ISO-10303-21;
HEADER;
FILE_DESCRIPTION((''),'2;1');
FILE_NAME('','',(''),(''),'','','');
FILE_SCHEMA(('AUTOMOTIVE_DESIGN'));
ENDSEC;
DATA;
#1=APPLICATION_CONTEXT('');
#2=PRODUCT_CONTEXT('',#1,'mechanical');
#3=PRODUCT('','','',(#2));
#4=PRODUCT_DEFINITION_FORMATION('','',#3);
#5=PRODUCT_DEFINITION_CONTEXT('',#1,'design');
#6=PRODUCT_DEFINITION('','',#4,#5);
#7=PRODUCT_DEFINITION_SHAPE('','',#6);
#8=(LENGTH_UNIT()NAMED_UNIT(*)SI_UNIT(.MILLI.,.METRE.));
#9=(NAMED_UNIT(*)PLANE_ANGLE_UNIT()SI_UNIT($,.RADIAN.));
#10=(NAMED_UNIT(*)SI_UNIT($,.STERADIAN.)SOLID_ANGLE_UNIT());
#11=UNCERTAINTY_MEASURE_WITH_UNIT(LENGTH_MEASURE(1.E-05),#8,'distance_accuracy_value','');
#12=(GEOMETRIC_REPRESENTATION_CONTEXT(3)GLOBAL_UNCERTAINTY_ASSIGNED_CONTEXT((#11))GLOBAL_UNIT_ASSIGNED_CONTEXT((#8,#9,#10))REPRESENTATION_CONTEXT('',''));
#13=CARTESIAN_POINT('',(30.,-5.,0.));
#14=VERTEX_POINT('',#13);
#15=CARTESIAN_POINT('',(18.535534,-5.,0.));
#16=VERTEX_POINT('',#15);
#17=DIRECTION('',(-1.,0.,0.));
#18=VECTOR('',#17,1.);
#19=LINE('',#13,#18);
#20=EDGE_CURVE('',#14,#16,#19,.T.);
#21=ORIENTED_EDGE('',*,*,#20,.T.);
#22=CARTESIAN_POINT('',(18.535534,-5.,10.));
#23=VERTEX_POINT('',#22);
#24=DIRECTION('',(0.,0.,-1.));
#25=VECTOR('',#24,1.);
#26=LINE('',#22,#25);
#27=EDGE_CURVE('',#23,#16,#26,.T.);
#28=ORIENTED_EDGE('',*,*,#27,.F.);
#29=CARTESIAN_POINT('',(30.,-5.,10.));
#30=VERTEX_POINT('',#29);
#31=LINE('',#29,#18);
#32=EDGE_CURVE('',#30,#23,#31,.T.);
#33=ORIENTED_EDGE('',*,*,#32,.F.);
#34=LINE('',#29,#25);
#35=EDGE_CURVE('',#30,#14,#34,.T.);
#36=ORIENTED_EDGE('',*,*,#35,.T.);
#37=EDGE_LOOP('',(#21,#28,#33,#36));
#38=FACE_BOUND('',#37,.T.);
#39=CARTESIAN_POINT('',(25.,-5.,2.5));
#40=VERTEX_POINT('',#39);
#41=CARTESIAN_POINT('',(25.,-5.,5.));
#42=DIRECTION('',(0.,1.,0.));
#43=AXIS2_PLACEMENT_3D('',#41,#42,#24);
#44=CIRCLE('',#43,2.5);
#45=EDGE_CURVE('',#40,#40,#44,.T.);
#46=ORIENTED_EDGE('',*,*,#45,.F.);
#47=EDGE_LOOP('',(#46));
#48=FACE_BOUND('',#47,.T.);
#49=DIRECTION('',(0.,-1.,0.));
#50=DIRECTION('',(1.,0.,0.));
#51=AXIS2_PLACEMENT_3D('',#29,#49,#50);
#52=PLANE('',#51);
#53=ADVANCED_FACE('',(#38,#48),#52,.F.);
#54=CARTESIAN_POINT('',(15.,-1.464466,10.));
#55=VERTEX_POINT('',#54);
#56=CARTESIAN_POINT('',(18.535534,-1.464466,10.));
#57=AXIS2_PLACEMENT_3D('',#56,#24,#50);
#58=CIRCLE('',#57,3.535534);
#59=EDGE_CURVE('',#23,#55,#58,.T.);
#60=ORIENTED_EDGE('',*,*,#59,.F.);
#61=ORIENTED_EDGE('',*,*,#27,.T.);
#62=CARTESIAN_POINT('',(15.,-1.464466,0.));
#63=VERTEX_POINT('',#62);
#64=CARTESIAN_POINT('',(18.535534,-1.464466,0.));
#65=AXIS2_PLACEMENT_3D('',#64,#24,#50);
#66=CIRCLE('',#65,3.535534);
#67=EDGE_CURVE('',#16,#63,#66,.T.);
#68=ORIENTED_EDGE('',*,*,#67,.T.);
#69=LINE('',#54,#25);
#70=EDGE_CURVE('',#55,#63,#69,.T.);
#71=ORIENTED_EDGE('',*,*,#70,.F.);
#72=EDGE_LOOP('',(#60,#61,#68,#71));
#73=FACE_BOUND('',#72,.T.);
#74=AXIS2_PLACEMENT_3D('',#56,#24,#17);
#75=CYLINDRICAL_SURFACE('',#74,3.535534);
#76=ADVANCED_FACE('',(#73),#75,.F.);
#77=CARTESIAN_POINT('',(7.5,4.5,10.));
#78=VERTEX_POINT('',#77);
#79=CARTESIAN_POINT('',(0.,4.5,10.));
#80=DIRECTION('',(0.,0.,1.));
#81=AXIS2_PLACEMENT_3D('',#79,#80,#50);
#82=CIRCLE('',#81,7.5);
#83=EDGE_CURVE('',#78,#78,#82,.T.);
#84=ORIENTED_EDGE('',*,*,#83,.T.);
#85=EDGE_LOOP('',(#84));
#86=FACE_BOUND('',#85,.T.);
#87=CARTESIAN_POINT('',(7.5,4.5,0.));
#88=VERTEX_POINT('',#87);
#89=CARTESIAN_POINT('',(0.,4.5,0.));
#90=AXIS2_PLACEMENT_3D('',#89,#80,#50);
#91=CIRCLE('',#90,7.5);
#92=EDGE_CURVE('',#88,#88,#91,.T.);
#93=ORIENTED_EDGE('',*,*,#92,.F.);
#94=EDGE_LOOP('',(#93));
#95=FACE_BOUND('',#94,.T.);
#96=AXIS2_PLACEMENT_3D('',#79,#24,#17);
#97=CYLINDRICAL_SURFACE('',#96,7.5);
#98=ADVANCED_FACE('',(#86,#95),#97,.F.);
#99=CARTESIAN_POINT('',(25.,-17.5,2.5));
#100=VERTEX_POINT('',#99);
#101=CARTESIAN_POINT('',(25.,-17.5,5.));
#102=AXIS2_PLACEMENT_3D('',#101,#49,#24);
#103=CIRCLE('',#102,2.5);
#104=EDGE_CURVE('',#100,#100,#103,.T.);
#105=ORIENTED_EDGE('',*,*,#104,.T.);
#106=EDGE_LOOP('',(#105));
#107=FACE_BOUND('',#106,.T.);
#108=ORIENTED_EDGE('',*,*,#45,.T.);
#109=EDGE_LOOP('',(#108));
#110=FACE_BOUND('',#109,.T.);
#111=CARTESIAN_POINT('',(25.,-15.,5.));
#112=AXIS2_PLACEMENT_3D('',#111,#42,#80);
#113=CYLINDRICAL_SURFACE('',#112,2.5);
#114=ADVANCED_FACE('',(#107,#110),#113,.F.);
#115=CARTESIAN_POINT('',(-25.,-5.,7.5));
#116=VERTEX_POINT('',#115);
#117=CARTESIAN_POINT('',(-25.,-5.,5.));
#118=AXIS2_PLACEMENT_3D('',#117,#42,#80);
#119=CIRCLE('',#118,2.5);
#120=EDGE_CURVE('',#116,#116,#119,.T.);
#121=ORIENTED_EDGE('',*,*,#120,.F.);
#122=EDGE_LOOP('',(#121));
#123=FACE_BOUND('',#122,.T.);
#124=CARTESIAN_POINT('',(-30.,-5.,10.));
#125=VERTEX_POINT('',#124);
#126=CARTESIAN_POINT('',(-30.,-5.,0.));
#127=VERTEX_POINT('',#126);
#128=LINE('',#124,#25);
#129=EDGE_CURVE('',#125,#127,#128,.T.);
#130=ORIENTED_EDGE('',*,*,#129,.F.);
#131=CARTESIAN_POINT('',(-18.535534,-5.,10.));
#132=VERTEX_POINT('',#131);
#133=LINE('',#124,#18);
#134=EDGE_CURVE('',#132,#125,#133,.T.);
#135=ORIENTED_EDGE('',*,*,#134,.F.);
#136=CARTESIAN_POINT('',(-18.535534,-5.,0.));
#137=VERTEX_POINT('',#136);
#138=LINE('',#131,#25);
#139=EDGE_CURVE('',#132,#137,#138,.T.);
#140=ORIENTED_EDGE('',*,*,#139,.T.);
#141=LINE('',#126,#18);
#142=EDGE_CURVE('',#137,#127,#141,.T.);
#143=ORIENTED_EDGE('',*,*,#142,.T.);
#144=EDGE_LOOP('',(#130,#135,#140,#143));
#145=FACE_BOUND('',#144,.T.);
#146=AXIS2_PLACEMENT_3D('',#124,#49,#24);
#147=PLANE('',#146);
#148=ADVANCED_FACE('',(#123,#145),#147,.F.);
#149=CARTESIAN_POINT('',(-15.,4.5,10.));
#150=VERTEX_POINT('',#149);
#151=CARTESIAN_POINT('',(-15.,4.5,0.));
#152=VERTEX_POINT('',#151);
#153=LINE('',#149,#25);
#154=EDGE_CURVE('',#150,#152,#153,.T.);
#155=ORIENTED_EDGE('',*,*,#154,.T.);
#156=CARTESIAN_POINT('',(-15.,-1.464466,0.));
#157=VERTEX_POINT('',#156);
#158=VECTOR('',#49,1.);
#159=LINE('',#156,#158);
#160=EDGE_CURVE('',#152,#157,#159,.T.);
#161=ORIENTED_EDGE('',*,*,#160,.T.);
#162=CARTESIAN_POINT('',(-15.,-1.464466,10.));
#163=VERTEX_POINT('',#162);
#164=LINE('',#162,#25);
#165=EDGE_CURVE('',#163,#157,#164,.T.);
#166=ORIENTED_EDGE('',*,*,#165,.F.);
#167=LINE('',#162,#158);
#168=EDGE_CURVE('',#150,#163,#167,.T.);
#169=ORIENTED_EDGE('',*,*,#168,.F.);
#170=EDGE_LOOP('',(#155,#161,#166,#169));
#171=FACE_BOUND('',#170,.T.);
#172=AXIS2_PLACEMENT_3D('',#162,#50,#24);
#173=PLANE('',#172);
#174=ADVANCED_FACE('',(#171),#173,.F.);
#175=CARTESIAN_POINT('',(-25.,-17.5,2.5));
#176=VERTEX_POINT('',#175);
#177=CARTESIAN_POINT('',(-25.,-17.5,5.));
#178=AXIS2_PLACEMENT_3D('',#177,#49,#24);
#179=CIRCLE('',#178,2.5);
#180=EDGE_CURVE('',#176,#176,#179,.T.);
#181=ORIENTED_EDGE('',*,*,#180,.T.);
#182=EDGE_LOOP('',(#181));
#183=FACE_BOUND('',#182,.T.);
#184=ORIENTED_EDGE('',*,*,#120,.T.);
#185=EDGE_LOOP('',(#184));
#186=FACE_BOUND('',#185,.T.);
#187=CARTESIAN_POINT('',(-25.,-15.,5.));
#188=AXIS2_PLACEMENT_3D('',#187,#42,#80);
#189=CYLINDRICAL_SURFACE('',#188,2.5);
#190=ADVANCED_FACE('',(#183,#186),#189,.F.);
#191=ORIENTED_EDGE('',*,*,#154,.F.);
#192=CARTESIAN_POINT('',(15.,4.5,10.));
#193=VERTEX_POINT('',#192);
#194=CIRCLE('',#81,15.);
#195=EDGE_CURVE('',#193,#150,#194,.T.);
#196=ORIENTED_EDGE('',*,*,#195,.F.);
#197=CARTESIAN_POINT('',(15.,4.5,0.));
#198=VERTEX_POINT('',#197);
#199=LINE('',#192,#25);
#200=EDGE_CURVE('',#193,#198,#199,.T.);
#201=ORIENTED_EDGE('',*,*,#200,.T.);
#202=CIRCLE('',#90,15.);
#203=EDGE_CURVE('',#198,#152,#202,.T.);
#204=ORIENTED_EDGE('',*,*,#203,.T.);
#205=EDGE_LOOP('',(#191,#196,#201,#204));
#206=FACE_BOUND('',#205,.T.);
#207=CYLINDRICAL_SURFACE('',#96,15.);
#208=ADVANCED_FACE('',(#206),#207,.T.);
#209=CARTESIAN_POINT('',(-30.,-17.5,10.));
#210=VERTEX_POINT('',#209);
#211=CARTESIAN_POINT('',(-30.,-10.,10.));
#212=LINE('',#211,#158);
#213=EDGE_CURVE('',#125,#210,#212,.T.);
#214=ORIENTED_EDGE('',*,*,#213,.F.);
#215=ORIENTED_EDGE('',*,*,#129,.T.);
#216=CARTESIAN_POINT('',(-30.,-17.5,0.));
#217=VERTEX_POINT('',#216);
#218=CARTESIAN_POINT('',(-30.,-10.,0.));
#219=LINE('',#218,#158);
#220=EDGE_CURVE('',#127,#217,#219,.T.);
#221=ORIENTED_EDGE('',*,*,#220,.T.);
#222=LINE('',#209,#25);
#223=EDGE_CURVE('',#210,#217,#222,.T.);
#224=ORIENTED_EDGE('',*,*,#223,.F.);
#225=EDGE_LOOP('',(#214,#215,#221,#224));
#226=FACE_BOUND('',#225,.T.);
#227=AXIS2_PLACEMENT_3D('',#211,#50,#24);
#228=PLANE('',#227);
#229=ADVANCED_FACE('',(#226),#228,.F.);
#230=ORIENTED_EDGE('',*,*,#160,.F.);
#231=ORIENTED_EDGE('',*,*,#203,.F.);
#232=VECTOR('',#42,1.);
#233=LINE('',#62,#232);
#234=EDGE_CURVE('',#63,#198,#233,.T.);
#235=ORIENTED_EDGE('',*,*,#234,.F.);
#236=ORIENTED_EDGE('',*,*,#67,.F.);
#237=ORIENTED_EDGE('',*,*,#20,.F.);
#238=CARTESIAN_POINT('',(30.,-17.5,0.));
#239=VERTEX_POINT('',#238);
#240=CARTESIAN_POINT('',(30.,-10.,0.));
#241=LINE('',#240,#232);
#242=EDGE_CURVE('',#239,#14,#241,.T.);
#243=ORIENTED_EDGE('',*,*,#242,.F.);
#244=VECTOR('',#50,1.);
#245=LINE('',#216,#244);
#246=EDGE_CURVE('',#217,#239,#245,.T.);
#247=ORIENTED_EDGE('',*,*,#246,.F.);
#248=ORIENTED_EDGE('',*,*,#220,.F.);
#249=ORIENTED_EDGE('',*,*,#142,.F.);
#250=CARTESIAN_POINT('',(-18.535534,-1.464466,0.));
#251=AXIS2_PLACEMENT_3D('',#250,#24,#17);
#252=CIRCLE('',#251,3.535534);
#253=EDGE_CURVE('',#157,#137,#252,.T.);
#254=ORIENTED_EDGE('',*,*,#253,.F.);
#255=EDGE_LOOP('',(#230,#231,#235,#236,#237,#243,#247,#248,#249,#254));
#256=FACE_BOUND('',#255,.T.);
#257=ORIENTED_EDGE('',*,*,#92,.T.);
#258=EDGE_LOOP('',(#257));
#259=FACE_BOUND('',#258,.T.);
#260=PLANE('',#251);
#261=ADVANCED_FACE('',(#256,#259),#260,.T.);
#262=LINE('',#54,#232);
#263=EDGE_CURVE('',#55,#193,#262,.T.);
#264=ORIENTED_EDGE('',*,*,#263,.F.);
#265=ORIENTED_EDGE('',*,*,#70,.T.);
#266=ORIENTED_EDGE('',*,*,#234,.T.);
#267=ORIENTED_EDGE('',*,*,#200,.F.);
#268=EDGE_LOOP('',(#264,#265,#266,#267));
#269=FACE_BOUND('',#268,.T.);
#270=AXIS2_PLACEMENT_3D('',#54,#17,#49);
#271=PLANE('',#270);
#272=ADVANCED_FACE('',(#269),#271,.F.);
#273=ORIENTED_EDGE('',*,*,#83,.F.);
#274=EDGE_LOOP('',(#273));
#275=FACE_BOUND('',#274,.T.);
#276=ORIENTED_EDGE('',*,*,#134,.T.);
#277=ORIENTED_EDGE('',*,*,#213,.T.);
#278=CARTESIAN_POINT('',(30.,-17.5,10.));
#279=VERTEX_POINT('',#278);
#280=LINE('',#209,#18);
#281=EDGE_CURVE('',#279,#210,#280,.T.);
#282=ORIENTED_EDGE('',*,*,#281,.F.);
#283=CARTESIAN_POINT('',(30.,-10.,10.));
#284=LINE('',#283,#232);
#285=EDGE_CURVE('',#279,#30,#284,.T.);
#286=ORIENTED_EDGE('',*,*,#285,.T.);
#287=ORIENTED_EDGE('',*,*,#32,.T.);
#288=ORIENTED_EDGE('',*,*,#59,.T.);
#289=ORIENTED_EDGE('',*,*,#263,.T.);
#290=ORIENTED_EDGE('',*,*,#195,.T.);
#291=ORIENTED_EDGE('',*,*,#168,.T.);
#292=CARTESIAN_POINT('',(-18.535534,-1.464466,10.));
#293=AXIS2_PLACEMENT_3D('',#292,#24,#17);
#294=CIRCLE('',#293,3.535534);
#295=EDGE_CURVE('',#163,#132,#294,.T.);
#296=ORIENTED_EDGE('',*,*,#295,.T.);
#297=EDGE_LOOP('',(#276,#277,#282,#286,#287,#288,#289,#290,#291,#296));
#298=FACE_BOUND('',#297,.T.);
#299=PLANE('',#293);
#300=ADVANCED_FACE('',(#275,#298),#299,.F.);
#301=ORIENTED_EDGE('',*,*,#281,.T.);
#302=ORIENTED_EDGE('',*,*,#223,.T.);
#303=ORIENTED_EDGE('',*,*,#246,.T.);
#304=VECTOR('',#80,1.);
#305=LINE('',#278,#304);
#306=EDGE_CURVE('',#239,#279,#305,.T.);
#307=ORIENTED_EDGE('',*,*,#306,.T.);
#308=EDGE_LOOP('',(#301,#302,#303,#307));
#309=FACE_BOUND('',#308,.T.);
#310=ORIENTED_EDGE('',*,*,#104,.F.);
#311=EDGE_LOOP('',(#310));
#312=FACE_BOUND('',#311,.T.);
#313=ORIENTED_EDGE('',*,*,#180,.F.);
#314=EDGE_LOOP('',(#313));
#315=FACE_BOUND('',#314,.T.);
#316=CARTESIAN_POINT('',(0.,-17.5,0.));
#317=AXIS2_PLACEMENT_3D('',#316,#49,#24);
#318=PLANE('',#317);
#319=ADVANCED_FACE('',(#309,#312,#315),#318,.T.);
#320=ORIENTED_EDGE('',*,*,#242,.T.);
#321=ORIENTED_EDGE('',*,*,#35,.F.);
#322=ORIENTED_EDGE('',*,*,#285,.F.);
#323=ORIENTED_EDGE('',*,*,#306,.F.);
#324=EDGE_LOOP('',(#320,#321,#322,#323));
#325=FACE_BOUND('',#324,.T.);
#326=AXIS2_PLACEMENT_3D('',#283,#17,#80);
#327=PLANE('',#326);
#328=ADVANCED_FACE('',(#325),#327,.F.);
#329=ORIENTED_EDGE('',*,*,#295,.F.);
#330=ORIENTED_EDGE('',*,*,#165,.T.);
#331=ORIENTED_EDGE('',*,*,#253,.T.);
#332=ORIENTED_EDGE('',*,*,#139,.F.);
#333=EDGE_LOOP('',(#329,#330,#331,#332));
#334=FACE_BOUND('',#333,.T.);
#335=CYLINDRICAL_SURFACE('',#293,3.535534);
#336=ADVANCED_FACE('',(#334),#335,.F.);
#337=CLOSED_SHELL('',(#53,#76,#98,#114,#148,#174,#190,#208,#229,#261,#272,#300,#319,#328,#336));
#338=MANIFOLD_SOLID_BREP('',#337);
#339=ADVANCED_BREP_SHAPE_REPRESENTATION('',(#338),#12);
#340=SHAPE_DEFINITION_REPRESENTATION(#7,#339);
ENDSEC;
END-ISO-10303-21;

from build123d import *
from build123d.topology import SkipClean

# Parameters (mm, degrees)
SKETCH1_R           = 7.5
BOSS_EXTRUDE2_DEPTH = 10
SKETCH2_R           = 2.5
CUT_EXTRUDE1_DEPTH  = 10
SKETCH3_W           = 60
SKETCH3_H           = 10
SKETCH3_R           = 2.5
BOSS_EXTRUDE3_DEPTH = 7.5


with BuildPart() as part:
    # Sketch1 → Boss-Extrude2 (new body)
    with BuildSketch(Plane.XY):
        with BuildLine():
            Line((-15, -1.464466094), (-15, 4.5))
            ThreePointArc((-15, 4.5), (0, 19.5), (15, 4.5))
            Line((15, 4.5), (15, -1.464466094))
            ThreePointArc((15, -1.464466094), (16.035533906, -3.964466094), (18.535533906, -5))
            Line((18.535533906, -5), (30, -5))
            Line((30, -5), (30, -10))
            Line((30, -10), (20, -10))
            Line((20, -10), (0, -10))
            Line((0, -10), (-20, -10))
            Line((-20, -10), (-30, -10))
            Line((-30, -10), (-30, -5))
            Line((-30, -5), (-18.535533906, -5))
            ThreePointArc((-18.535533906, -5), (-16.035533906, -3.964466094), (-15, -1.464466094))
        make_face()
        with Locations((0, 4.5)):
            Circle(SKETCH1_R, mode=Mode.SUBTRACT)
    extrude(amount=BOSS_EXTRUDE2_DEPTH)

    # Sketch2 → Cut-Extrude1 (cut)
    with BuildSketch(Plane(origin=(0, -5, 0), x_dir=(1, 0, 0), z_dir=(0, 1, 0))):
        with Locations(Location((-25, -5, 0), (0, 0, 270))):
            Circle(SKETCH2_R)
        with Locations(Location((25, -5, 0), (0, 0, 270))):
            Circle(SKETCH2_R)
    extrude(amount=-CUT_EXTRUDE1_DEPTH, mode=Mode.SUBTRACT)

    # Sketch3 → Boss-Extrude3 (add)
    with SkipClean():  # the faces are left unmerged after this step: merging them gives an invalid solid
        with BuildSketch(Plane.XZ.offset(10)):
            with Locations((0, 5)):
                Rectangle(SKETCH3_W, SKETCH3_H)
            with Locations(Location((-25, 5, 0), (0, 0, 90))):
                Circle(SKETCH3_R, mode=Mode.SUBTRACT)
            with Locations(Location((25, 5, 0), (0, 0, 270))):
                Circle(SKETCH3_R, mode=Mode.SUBTRACT)
        extrude(amount=BOSS_EXTRUDE3_DEPTH)


solid = part.part
